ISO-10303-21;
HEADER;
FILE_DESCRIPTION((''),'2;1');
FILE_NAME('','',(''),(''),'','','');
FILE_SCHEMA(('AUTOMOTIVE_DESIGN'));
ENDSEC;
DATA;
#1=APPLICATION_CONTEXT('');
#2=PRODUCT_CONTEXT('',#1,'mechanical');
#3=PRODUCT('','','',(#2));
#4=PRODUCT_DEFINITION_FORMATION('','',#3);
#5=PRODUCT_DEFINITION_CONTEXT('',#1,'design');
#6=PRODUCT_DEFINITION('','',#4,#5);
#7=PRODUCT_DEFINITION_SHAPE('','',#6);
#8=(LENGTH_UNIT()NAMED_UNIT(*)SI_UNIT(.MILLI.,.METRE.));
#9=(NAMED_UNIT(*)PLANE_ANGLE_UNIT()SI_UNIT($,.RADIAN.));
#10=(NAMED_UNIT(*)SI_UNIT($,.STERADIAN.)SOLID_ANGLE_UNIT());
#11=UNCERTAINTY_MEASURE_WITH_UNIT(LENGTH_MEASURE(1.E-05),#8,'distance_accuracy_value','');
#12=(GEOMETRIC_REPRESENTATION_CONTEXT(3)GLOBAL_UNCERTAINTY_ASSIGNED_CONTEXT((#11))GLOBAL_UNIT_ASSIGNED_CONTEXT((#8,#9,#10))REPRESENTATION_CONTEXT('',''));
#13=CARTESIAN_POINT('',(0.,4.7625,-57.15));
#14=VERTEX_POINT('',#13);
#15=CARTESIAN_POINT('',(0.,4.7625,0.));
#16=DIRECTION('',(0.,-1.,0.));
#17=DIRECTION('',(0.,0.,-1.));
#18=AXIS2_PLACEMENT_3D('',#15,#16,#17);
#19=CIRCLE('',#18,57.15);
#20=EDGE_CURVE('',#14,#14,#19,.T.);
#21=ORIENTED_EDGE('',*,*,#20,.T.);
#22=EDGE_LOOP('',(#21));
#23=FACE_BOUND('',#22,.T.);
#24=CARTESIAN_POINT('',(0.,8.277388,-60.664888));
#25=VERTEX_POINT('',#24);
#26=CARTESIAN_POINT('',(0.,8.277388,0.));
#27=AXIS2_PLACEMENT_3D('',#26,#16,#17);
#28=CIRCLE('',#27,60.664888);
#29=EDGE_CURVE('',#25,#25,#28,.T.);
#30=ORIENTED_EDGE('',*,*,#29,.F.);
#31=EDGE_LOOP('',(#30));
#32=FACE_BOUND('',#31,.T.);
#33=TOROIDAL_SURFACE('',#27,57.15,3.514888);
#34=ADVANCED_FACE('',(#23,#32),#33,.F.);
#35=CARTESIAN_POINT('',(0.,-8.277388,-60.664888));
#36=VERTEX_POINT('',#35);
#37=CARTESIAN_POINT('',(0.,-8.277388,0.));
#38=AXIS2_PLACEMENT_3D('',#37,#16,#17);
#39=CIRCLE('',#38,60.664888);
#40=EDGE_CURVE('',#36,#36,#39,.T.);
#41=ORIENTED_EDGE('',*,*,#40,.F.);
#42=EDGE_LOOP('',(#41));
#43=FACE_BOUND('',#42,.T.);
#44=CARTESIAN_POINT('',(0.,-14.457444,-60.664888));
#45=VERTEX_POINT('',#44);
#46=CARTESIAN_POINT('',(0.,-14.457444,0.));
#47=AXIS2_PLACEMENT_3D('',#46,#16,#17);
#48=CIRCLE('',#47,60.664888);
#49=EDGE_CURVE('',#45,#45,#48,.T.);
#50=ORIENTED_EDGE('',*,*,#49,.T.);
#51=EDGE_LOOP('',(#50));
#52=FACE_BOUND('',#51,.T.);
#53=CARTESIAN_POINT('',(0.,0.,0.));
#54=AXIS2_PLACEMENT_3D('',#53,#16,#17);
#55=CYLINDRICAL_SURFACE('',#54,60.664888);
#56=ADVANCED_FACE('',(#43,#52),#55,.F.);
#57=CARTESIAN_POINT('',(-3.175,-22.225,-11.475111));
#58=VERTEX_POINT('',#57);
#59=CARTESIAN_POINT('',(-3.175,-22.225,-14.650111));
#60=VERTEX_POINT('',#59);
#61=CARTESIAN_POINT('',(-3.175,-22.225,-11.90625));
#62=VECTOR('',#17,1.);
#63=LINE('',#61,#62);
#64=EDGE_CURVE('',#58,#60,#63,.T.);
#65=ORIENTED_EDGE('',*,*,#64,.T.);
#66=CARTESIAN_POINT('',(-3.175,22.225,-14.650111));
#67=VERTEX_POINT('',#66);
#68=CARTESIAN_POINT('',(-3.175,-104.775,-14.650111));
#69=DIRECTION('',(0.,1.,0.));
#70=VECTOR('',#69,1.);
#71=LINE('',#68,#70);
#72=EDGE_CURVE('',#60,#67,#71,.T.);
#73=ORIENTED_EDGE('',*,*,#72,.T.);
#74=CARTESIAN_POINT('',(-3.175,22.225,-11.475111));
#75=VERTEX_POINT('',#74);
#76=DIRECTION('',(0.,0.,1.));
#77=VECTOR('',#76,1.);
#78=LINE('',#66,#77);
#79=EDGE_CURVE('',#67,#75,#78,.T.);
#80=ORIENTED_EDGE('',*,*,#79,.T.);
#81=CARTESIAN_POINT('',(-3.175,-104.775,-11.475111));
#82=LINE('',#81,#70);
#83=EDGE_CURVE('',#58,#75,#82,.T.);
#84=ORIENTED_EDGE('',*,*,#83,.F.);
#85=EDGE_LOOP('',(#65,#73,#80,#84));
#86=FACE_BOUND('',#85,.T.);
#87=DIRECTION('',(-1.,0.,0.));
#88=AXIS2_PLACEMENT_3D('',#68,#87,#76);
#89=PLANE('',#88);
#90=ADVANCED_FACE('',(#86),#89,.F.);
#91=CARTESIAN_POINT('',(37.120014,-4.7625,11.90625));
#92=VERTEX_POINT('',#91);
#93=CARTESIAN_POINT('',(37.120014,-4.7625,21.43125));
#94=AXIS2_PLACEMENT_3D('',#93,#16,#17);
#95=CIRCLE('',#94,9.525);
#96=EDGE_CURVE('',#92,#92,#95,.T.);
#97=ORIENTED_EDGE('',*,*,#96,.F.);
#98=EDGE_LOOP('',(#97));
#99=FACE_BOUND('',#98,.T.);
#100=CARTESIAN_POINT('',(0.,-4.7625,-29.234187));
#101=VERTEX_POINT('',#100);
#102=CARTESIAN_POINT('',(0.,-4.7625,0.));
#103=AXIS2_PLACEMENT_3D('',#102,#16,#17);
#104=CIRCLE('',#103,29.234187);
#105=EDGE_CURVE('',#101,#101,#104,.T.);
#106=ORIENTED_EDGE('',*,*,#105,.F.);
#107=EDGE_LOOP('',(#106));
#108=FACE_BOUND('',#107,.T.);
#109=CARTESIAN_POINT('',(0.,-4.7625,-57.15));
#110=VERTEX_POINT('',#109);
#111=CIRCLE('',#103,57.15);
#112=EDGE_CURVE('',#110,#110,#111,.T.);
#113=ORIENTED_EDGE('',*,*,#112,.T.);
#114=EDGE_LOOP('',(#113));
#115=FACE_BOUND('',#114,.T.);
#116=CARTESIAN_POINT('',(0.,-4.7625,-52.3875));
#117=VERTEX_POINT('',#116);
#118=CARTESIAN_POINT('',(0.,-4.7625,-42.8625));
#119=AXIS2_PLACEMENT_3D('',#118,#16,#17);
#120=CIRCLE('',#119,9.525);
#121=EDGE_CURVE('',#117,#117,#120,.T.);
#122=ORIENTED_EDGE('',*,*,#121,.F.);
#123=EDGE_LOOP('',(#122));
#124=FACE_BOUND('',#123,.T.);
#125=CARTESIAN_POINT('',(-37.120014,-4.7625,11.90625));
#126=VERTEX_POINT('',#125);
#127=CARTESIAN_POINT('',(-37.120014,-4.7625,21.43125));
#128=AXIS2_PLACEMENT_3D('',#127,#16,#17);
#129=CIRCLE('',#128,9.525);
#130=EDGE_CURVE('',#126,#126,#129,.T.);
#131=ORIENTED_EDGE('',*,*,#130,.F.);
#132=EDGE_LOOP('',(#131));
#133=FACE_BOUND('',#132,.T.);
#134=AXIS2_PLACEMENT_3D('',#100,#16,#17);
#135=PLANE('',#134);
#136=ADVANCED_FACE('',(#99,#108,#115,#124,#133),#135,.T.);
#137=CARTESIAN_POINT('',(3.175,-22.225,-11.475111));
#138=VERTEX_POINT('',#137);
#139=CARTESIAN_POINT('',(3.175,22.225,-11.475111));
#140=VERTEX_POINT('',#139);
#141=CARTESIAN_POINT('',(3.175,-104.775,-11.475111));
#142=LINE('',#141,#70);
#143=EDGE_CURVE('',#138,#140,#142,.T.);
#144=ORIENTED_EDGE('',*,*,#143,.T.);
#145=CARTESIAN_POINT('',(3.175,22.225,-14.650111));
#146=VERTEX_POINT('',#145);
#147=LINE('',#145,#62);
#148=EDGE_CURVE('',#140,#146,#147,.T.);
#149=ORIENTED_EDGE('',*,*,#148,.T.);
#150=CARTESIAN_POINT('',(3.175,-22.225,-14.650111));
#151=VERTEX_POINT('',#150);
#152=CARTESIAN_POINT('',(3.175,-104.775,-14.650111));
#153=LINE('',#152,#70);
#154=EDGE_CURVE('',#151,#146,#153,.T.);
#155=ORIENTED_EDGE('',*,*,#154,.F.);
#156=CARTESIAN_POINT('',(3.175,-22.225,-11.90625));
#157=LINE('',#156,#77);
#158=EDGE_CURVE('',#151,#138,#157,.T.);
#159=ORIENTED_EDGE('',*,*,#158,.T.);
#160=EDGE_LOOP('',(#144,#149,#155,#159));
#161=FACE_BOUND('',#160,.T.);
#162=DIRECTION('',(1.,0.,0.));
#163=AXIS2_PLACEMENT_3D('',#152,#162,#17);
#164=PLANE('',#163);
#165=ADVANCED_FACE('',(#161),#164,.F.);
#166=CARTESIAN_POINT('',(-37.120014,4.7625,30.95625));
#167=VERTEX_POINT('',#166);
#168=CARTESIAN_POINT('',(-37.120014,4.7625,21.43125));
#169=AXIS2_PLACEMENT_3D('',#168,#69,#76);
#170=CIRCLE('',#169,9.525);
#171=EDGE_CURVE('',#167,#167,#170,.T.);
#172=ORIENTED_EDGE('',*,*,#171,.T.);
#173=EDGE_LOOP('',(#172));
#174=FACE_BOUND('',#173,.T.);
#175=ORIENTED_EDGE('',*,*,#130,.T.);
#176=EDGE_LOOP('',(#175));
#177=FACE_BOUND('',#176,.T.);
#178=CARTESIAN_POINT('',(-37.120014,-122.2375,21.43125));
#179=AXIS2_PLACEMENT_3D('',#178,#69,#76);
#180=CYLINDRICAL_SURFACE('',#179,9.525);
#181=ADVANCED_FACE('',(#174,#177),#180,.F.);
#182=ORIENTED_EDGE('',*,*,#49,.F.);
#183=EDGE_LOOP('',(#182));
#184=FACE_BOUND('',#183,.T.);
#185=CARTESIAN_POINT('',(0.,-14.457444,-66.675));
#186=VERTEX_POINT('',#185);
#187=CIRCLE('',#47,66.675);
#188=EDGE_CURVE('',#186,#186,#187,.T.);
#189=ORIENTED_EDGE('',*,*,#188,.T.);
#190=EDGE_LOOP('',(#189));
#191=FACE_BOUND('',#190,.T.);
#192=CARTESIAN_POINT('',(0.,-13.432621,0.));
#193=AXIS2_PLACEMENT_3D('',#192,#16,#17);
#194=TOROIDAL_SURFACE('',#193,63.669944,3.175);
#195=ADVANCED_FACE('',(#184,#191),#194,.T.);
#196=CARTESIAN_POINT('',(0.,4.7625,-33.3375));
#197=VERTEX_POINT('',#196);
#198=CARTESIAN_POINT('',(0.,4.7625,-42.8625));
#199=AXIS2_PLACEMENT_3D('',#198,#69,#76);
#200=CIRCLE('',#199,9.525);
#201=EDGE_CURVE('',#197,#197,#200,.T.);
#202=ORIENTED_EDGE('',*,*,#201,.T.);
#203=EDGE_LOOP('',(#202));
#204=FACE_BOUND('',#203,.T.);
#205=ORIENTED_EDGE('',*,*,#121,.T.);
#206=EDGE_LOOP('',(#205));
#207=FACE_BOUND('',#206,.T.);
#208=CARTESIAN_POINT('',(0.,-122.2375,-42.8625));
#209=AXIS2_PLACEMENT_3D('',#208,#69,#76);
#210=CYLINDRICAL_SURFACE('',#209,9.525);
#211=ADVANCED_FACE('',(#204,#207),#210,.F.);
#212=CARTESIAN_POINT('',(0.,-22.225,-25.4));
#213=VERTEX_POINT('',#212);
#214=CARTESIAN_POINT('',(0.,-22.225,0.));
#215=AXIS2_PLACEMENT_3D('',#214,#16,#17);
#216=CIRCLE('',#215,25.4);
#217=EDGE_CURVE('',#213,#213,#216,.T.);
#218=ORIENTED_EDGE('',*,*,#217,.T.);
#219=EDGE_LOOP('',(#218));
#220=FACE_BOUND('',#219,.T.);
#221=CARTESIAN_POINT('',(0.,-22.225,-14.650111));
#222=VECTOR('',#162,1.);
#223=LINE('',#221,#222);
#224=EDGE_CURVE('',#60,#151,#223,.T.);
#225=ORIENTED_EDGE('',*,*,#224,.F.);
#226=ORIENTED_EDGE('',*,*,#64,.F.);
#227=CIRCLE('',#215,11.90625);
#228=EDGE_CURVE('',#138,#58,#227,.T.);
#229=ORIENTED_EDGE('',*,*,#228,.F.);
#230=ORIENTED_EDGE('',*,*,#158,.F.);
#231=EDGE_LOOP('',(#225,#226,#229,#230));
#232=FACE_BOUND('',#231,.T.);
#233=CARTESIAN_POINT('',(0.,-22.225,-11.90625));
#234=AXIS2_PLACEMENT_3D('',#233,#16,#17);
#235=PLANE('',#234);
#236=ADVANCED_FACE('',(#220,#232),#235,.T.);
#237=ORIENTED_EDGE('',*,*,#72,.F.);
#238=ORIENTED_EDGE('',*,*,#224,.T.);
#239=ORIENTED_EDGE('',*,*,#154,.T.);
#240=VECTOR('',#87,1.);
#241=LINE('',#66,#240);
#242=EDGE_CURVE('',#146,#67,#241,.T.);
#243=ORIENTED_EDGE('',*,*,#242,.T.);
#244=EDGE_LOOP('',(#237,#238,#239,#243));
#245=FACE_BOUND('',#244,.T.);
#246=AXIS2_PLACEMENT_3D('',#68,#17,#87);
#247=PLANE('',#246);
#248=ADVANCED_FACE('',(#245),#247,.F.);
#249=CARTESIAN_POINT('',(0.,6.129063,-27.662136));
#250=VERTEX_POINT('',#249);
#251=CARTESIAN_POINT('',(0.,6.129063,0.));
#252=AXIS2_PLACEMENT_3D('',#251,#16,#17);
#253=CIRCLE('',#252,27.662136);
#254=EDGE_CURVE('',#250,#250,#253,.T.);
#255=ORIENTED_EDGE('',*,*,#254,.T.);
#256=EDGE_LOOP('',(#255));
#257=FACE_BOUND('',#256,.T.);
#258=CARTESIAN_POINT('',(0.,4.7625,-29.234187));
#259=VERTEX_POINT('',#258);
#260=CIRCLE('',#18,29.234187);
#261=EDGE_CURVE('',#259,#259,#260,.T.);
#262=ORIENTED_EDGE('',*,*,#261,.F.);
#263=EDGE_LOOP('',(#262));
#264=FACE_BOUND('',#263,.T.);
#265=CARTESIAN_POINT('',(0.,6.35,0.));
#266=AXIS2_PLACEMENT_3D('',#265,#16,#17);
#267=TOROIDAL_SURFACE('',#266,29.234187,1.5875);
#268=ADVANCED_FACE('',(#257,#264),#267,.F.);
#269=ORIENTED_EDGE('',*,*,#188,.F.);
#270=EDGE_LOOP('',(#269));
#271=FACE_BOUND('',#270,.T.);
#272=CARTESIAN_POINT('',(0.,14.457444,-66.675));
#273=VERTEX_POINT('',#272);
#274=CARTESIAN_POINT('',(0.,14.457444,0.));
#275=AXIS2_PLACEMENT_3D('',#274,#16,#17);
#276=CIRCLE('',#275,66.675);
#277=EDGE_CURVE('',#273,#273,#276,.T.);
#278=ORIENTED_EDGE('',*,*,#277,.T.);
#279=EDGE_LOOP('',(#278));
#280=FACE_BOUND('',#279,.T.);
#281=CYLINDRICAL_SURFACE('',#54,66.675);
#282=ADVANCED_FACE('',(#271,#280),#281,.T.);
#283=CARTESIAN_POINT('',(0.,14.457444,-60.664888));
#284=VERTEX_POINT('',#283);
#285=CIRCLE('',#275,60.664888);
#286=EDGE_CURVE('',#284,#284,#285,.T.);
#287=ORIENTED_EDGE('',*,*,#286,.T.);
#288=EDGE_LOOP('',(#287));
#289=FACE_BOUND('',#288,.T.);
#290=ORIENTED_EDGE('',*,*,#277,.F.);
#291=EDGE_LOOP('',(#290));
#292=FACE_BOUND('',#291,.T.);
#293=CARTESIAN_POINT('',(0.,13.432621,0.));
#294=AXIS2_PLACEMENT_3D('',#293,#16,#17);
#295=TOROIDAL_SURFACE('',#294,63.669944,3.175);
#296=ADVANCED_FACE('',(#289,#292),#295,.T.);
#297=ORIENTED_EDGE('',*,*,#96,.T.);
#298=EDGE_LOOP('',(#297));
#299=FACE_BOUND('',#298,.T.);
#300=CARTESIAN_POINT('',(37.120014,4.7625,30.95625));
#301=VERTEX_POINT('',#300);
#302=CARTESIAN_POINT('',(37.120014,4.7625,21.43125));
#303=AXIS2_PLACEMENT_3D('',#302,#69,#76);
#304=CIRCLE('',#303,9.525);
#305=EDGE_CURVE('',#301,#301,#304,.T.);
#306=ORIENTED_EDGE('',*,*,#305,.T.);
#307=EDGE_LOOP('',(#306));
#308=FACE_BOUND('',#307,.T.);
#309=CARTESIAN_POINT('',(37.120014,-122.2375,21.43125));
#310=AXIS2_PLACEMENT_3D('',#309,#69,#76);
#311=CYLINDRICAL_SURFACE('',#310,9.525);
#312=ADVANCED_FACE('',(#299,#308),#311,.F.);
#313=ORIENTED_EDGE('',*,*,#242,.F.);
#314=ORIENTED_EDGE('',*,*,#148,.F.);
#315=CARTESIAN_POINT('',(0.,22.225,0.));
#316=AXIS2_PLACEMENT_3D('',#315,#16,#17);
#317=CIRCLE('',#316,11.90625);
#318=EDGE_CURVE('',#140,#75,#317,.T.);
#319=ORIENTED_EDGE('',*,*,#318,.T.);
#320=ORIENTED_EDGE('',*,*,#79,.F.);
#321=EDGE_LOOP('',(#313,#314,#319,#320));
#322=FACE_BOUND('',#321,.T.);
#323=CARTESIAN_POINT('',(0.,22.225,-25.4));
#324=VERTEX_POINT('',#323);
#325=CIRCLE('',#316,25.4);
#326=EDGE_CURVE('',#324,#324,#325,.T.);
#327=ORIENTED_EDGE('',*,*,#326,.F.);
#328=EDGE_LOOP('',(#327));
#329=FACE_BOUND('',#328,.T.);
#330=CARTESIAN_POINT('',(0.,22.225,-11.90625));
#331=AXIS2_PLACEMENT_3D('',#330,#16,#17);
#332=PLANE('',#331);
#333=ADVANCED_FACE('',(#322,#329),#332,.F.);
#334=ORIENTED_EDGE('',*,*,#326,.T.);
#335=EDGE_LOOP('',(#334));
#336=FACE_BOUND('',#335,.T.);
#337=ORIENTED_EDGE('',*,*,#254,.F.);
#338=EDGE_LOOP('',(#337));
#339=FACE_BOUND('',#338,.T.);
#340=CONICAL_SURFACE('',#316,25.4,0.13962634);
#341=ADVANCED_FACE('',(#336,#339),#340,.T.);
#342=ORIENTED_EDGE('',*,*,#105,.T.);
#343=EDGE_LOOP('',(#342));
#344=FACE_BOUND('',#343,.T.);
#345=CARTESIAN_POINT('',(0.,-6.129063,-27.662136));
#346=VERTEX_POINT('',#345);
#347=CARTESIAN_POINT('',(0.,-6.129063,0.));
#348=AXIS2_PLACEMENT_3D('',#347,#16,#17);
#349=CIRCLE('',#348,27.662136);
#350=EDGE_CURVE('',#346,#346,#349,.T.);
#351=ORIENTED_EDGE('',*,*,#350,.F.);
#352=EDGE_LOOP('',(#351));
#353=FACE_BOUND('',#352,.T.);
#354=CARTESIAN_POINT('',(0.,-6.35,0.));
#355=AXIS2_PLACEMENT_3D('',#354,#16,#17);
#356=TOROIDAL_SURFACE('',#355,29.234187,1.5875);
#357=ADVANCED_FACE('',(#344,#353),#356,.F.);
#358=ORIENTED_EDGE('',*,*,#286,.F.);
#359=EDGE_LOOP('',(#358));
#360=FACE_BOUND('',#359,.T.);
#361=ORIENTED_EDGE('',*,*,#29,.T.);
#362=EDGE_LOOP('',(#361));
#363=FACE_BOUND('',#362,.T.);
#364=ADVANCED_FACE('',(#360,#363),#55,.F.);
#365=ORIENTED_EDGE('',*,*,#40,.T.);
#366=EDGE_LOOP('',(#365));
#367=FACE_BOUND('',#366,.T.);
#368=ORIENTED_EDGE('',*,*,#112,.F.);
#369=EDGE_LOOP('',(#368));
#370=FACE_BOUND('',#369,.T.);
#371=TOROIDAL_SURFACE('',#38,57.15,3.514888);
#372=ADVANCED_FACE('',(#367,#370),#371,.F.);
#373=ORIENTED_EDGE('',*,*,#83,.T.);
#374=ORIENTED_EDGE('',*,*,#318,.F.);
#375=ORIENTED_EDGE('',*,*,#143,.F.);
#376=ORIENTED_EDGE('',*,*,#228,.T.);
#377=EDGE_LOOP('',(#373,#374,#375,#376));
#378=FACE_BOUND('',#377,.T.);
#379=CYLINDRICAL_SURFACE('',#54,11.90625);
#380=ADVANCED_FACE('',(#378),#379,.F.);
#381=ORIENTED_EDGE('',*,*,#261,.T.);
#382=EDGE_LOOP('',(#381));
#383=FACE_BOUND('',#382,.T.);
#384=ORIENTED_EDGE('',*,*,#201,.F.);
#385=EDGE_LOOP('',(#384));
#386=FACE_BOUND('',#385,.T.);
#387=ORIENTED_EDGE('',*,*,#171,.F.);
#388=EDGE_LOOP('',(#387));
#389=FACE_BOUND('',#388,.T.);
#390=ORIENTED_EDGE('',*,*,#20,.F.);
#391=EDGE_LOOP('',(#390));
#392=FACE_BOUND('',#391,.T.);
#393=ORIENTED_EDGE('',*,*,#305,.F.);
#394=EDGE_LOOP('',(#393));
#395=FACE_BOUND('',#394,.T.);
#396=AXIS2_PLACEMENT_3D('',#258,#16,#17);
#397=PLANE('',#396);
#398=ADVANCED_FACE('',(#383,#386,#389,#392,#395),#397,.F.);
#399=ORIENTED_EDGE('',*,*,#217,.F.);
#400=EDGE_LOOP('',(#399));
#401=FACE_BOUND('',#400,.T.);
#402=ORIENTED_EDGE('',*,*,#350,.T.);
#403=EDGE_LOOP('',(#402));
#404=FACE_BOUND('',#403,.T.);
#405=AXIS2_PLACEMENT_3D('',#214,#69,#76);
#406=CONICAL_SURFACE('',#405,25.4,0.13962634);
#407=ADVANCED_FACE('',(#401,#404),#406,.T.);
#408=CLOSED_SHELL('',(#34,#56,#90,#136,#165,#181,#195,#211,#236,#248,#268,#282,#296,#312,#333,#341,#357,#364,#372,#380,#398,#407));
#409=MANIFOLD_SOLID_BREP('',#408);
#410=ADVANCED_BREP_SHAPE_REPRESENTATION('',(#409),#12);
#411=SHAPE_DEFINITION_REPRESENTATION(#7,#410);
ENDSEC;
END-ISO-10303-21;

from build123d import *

# Parameters (mm, degrees)
CHANNEL_DEPTH           = 127
ESQUISSE8_R             = 9.525
ENL_V_MAT_EXTRU_4_DEPTH = 127


with BuildPart() as part:
    # Esquisse6 → Tour complet (revolve)
    with BuildSketch(Plane(origin=(0, 0, 0), x_dir=(0, 0, -1), z_dir=(1, 0, 0))):
        with BuildLine():
            Line((11.90625, -22.225), (11.90625, 22.225))
            Line((11.90625, 22.225), (25.4, 22.225))
            Line((25.4, 22.225), (27.662136463, 6.129062702))
            ThreePointArc((27.662136463, 6.129062702), (28.192693314, 5.151898541), (29.234187022, 4.7625))
            Line((29.234187022, 4.7625), (57.15, 4.7625))
            ThreePointArc((57.15, 4.7625), (59.635400927, 5.791986772), (60.664887699, 8.277387699))
            Line((60.664887699, 8.277387699), (60.664887699, 14.45744385))
            ThreePointArc((60.664887699, 14.45744385), (63.66994385, 16.607620678), (66.675, 14.45744385))
            Line((66.675, 14.45744385), (66.675, -14.45744385))
            ThreePointArc((66.675, -14.45744385), (63.66994385, -16.607620678), (60.664887699, -14.45744385))
            Line((60.664887699, -14.45744385), (60.664887699, -8.277387699))
            ThreePointArc((60.664887699, -8.277387699), (59.635400927, -5.791986772), (57.15, -4.7625))
            Line((57.15, -4.7625), (29.234187022, -4.7625))
            ThreePointArc((29.234187022, -4.7625), (28.192693314, -5.151898541), (27.662136463, -6.129062702))
            Line((27.662136463, -6.129062702), (25.4, -22.225))
            Line((25.4, -22.225), (11.90625, -22.225))
        make_face()
    revolve(axis=Axis((0, 0, 0), (0, 1, 0)))

    # Esquisse7 → Channel (cut)
    with BuildSketch(Plane(origin=(0, 22.225, 0), x_dir=(1, 0, 0), z_dir=(0, 1, 0))):
        with BuildLine():
            Line((-3.175, 14.650110634), (3.175, 14.650110634))
            Line((3.175, 14.650110634), (3.175, 11.475110634))
            ThreePointArc((3.175, 11.475110634), (0, 11.90625), (-3.175, 11.475110634))
            Line((-3.175, 11.475110634), (-3.175, 14.650110634))
        make_face()
    extrude(amount=-CHANNEL_DEPTH, mode=Mode.SUBTRACT)

    # Esquisse8 → Enlèv. mat.-Extru.4 (cut)
    with BuildSketch(Plane(origin=(0, 4.7625, 0), x_dir=(1, 0, 0), z_dir=(0, 1, 0))):
        with Locations(Location((0, 42.8625, 0), (0, 0, 270))):
            Circle(ESQUISSE8_R)
        with Locations(Location((-37.12001387, -21.43125, 0), (0, 0, 270))):
            Circle(ESQUISSE8_R)
        with Locations(Location((37.12001387, -21.43125, 0), (0, 0, 270))):
            Circle(ESQUISSE8_R)
    extrude(amount=-ENL_V_MAT_EXTRU_4_DEPTH, mode=Mode.SUBTRACT)


solid = part.part
